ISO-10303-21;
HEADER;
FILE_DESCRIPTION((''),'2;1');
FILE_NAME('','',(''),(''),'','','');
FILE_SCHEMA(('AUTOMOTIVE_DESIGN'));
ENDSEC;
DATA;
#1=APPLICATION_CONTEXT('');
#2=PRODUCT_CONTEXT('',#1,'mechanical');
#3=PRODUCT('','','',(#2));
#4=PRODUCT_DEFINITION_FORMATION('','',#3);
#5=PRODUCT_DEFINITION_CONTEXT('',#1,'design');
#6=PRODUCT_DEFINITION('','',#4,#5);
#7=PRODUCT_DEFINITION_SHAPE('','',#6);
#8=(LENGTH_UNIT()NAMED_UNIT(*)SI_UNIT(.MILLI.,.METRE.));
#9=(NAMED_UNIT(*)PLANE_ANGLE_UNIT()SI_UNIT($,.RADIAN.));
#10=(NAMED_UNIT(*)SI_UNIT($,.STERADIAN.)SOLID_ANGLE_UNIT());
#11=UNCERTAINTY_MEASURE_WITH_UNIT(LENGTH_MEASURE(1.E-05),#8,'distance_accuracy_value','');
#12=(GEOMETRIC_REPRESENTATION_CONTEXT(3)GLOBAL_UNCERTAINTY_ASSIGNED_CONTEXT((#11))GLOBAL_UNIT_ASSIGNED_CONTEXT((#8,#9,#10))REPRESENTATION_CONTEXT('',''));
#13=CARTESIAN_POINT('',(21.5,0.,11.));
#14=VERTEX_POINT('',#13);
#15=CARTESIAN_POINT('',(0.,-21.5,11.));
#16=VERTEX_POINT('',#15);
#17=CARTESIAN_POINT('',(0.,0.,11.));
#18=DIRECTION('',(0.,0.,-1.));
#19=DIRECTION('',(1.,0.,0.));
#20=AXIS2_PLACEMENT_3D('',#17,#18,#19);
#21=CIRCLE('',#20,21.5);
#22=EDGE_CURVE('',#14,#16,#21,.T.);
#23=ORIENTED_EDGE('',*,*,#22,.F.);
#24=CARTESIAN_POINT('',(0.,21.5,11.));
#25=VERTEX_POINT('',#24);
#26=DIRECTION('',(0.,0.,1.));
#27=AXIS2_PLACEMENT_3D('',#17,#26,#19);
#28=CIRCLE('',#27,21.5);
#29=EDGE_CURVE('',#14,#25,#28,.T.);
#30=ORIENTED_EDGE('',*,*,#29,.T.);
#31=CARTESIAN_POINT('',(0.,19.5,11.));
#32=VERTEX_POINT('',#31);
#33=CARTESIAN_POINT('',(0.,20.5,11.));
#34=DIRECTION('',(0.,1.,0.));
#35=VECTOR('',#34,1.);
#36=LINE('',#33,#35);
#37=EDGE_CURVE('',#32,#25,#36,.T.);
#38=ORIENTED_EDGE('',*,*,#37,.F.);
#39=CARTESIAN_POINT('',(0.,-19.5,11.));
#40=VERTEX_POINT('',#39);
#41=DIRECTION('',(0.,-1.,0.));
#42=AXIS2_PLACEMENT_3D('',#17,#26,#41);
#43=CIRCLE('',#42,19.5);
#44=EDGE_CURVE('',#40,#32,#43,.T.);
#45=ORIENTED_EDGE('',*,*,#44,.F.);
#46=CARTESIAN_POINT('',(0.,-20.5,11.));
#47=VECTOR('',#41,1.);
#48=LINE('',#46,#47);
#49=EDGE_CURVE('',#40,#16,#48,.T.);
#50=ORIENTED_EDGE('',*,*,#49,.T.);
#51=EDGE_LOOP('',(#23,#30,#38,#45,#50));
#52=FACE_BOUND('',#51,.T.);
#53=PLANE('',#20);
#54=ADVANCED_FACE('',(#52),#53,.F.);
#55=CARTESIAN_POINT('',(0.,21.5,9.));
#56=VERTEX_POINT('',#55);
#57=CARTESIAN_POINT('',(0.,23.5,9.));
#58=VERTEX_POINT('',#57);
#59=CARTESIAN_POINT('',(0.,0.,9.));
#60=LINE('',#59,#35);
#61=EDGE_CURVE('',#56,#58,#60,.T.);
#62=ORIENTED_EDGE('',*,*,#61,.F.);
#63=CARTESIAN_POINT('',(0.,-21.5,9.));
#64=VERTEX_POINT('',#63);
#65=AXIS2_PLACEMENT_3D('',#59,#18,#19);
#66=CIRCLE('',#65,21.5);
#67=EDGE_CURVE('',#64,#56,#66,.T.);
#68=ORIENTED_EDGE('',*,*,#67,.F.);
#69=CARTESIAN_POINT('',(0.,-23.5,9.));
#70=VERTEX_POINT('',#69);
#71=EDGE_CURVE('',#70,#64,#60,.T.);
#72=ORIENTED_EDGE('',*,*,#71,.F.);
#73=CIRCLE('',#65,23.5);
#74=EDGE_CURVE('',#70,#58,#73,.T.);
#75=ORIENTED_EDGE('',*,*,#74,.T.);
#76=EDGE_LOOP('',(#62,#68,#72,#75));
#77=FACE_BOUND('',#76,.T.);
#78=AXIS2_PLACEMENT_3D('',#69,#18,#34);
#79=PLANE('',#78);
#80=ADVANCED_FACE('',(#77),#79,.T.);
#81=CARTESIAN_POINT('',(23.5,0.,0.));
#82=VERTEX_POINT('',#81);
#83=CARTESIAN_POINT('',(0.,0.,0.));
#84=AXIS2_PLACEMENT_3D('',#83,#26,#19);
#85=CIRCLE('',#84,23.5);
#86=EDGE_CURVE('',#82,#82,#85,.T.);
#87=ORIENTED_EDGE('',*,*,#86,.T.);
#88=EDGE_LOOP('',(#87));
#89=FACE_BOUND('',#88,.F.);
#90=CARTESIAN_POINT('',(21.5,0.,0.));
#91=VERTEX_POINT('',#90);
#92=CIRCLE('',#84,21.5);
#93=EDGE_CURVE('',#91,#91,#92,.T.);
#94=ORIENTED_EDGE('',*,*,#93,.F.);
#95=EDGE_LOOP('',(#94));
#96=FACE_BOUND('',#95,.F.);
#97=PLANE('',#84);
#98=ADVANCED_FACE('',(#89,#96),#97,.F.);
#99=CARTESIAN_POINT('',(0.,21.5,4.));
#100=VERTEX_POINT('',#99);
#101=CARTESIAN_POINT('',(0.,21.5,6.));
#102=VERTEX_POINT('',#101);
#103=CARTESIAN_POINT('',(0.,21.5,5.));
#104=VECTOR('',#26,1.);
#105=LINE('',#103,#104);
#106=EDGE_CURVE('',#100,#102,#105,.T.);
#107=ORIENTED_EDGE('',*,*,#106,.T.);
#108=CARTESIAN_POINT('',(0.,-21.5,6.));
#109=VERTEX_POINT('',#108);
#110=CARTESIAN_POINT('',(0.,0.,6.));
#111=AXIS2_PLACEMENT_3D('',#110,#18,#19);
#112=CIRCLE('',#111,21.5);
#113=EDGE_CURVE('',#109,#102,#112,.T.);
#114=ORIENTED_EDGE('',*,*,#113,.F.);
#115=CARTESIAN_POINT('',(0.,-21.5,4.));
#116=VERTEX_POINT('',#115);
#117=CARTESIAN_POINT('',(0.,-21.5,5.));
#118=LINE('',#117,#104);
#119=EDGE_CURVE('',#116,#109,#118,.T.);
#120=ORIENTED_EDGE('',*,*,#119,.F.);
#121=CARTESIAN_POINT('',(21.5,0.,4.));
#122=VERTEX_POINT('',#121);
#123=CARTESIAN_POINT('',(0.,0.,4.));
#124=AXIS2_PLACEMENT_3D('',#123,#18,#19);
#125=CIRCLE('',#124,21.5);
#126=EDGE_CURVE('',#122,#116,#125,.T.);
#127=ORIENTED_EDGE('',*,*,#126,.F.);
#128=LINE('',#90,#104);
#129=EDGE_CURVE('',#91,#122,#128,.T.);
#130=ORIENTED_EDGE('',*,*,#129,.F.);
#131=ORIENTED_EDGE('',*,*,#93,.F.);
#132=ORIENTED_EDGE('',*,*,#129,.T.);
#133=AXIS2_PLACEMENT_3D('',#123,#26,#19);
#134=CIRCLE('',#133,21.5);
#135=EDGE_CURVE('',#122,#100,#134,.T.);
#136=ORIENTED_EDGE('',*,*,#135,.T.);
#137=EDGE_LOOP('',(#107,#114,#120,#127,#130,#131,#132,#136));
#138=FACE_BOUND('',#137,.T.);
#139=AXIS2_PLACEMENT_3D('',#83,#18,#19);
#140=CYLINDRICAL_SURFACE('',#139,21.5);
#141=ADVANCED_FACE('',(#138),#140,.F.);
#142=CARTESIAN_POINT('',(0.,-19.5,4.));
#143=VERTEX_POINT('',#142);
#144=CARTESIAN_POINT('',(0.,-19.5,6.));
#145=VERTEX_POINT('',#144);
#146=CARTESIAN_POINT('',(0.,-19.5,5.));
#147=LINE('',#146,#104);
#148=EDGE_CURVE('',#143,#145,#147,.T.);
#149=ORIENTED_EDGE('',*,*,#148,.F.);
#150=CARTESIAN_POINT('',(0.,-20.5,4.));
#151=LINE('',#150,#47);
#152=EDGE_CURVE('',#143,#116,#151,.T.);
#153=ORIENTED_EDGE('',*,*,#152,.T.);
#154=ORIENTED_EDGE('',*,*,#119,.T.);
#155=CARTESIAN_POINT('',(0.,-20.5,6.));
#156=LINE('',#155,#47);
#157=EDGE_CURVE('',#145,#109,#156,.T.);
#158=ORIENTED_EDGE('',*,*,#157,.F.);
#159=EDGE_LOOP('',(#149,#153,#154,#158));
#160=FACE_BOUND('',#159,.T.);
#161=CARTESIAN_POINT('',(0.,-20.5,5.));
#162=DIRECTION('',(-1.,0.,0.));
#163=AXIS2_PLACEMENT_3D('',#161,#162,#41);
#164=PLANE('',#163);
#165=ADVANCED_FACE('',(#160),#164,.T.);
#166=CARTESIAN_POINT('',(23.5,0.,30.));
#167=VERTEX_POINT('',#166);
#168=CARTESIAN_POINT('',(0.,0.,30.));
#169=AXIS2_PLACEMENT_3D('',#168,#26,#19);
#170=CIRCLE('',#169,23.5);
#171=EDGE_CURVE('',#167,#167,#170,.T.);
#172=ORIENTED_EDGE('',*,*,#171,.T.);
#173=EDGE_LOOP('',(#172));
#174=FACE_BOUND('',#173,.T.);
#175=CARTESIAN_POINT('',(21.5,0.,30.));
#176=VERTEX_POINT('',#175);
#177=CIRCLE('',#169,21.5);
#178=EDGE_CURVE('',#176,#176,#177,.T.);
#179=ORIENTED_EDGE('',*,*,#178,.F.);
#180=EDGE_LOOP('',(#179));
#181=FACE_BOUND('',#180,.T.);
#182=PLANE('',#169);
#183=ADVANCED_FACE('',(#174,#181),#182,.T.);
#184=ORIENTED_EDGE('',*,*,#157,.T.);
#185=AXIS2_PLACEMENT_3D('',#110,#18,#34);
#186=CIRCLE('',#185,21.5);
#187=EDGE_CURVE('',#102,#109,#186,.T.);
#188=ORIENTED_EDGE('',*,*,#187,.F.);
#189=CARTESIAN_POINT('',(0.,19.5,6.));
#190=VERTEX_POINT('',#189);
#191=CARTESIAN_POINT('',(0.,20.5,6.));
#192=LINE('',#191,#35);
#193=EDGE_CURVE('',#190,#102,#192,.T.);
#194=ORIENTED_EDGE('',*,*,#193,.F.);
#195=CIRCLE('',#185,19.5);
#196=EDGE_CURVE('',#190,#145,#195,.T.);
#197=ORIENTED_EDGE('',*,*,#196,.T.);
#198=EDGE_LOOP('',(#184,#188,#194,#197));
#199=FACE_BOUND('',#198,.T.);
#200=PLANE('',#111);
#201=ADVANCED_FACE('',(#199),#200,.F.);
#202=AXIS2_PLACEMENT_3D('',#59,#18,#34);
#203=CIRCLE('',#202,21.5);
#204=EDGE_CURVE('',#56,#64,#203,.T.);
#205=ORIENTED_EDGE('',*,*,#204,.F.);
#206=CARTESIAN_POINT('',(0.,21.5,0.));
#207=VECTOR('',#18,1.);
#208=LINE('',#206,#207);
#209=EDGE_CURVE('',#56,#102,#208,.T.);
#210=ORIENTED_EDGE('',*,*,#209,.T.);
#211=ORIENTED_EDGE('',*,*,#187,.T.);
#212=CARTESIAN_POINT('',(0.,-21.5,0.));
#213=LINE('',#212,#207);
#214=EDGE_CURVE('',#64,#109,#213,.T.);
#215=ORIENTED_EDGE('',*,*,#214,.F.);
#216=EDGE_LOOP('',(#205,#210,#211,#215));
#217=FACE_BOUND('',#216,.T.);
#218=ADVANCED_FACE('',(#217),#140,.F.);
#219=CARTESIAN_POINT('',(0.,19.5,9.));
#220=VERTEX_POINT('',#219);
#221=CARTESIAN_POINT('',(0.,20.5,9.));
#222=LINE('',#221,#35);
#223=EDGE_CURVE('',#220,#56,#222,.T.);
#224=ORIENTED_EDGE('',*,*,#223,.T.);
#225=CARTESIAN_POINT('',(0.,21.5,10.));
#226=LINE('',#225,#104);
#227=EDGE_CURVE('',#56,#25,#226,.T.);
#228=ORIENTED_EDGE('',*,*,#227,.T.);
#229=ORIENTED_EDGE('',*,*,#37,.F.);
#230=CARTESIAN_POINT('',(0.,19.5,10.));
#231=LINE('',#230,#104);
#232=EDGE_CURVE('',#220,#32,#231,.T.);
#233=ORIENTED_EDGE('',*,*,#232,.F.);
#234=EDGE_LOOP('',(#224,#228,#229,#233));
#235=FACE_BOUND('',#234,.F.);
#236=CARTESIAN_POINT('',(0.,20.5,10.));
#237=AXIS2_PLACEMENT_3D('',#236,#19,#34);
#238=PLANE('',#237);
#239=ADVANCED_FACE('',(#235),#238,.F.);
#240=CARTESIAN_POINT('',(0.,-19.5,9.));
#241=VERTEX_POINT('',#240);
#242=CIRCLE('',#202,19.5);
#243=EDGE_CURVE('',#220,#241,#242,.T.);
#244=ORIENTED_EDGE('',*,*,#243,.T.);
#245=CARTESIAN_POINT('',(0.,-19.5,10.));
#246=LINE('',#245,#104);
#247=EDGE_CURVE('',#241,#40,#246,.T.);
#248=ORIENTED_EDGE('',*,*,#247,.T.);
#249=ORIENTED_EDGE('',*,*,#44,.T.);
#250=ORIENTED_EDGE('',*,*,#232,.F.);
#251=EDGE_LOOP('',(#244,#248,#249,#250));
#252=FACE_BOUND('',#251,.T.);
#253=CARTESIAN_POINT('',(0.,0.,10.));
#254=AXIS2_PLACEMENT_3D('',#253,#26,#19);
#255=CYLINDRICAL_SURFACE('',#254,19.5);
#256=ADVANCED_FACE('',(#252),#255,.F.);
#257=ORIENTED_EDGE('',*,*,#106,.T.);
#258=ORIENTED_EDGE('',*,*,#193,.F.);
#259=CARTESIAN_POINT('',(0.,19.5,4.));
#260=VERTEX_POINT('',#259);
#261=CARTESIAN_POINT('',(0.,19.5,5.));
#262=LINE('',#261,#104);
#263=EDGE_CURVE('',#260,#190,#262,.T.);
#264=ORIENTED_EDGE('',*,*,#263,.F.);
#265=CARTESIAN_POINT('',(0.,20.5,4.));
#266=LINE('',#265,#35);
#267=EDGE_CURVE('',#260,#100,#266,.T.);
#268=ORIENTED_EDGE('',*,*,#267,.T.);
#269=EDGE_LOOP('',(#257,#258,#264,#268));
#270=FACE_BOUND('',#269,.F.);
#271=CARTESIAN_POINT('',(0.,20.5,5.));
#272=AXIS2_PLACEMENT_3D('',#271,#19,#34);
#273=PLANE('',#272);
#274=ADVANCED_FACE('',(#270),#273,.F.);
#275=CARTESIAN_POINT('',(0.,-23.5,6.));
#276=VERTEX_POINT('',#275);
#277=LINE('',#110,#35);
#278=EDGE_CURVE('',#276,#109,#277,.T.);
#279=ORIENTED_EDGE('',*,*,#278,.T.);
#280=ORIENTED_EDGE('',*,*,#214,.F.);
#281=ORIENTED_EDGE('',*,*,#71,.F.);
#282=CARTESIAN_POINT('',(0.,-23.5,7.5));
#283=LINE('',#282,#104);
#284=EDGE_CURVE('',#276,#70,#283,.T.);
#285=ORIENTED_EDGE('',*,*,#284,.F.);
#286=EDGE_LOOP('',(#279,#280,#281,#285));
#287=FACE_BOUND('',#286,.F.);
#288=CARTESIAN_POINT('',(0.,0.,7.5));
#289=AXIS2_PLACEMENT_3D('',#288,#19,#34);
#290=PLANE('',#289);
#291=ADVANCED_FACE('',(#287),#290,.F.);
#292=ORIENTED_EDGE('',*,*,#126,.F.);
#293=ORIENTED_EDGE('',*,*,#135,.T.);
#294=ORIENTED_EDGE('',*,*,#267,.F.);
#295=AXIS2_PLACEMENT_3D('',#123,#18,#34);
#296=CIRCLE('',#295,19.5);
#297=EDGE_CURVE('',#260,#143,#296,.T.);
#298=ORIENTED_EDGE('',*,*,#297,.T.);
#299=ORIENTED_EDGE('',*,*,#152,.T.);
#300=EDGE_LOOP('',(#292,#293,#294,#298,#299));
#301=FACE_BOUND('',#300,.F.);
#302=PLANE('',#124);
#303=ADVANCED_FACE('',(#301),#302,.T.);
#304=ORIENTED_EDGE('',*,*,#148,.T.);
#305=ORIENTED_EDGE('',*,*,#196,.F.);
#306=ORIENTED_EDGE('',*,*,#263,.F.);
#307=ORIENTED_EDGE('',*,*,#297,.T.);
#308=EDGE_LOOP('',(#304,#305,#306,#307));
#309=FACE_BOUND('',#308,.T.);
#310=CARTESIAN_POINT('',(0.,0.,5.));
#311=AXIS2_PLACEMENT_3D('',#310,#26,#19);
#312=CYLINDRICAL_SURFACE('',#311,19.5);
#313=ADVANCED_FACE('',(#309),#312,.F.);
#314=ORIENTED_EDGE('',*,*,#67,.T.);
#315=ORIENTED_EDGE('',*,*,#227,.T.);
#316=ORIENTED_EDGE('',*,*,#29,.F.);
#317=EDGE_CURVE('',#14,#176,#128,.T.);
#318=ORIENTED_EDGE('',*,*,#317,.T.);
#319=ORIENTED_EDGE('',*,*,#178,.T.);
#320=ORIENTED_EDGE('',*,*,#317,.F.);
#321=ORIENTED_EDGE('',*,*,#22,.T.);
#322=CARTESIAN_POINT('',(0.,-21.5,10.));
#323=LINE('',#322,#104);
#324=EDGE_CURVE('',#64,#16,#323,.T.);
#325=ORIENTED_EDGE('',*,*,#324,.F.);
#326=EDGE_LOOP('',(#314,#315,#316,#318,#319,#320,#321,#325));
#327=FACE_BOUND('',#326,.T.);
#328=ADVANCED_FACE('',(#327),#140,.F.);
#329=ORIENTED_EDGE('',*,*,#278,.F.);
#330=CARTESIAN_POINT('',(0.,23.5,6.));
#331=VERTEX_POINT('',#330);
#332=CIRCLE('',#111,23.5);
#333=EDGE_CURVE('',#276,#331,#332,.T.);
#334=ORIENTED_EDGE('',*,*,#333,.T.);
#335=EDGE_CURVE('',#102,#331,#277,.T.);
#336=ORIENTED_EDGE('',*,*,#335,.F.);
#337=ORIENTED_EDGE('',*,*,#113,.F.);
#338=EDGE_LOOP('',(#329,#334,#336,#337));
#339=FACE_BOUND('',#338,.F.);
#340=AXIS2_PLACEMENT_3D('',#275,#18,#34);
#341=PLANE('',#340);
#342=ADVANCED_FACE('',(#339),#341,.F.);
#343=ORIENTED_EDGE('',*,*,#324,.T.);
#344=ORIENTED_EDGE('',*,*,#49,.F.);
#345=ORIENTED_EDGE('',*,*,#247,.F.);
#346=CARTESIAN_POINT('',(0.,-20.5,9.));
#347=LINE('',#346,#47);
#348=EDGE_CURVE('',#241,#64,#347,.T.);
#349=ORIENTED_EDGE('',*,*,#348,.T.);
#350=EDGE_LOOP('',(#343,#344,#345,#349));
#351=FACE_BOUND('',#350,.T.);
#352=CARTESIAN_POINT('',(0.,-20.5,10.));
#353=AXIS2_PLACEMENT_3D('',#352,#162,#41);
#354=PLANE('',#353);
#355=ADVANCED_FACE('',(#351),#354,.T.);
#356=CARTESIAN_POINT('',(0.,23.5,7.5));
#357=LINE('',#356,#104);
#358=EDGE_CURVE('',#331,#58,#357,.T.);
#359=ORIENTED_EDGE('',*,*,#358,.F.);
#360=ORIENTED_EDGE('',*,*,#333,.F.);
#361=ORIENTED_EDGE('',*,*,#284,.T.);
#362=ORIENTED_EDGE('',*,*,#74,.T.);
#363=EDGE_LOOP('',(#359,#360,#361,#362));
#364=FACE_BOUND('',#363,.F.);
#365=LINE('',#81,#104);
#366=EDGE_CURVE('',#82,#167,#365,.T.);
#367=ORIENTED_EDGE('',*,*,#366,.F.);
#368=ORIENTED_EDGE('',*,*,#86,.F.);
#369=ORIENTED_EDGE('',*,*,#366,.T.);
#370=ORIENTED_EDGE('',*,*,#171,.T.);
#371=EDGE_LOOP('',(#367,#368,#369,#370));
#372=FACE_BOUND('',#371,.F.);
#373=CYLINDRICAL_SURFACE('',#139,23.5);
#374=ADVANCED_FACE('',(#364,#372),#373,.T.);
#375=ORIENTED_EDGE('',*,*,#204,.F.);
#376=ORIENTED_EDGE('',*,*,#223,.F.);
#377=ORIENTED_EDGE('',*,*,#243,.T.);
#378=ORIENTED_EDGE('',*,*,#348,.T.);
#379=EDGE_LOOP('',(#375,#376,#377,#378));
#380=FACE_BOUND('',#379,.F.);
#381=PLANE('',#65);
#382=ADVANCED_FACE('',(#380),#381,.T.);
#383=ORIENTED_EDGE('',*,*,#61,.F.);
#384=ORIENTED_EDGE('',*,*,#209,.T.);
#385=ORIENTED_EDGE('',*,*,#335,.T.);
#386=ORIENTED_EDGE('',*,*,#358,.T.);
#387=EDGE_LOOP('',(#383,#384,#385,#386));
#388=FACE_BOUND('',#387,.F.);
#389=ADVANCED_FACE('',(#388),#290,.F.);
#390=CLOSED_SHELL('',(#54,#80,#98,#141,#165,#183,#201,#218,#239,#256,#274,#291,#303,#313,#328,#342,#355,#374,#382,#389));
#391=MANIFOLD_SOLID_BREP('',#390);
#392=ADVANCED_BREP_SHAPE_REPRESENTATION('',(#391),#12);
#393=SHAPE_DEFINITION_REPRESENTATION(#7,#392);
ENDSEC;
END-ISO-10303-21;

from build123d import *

# Parameters (mm, degrees)
F0_R     = 23.5
F0_R_2   = 21.5
F1_DEPTH = 30
F2_W     = 47
F2_H     = 3
F3_DEPTH = 23.501
F4_W     = 2
F4_H     = 2
F5_ANGLE = 180


with BuildPart() as f1:
    # F0 (on Top) → F1 (new body)
    with BuildSketch(Plane.XY):
        Circle(F0_R)
        Circle(F0_R_2, mode=Mode.SUBTRACT)
    extrude(amount=F1_DEPTH)

    # F2 (on Right) → F3 (cut, through all)
    with BuildSketch(Plane.YZ):
        with Locations((0, 7.5)):
            Rectangle(F2_W, F2_H)
    extrude(amount=-F3_DEPTH, mode=Mode.SUBTRACT)

    # F4 (on Front) → F5 (revolve, symmetric)
    with BuildSketch(Plane.XZ) as f5_sk:
        with Locations((20.5, 10)):
            Rectangle(F4_W, F4_H)
        with Locations((20.5, 5)):
            Rectangle(F4_W, F4_H)
    revolve(axis=Axis((0, 0, 9.00836), (0, 0, 1)), revolution_arc=F5_ANGLE / 2)
    revolve(f5_sk.sketch, axis=Axis((0, 0, 9.00836), (0, 0, -1)), revolution_arc=F5_ANGLE / 2)


solid = f1.part
